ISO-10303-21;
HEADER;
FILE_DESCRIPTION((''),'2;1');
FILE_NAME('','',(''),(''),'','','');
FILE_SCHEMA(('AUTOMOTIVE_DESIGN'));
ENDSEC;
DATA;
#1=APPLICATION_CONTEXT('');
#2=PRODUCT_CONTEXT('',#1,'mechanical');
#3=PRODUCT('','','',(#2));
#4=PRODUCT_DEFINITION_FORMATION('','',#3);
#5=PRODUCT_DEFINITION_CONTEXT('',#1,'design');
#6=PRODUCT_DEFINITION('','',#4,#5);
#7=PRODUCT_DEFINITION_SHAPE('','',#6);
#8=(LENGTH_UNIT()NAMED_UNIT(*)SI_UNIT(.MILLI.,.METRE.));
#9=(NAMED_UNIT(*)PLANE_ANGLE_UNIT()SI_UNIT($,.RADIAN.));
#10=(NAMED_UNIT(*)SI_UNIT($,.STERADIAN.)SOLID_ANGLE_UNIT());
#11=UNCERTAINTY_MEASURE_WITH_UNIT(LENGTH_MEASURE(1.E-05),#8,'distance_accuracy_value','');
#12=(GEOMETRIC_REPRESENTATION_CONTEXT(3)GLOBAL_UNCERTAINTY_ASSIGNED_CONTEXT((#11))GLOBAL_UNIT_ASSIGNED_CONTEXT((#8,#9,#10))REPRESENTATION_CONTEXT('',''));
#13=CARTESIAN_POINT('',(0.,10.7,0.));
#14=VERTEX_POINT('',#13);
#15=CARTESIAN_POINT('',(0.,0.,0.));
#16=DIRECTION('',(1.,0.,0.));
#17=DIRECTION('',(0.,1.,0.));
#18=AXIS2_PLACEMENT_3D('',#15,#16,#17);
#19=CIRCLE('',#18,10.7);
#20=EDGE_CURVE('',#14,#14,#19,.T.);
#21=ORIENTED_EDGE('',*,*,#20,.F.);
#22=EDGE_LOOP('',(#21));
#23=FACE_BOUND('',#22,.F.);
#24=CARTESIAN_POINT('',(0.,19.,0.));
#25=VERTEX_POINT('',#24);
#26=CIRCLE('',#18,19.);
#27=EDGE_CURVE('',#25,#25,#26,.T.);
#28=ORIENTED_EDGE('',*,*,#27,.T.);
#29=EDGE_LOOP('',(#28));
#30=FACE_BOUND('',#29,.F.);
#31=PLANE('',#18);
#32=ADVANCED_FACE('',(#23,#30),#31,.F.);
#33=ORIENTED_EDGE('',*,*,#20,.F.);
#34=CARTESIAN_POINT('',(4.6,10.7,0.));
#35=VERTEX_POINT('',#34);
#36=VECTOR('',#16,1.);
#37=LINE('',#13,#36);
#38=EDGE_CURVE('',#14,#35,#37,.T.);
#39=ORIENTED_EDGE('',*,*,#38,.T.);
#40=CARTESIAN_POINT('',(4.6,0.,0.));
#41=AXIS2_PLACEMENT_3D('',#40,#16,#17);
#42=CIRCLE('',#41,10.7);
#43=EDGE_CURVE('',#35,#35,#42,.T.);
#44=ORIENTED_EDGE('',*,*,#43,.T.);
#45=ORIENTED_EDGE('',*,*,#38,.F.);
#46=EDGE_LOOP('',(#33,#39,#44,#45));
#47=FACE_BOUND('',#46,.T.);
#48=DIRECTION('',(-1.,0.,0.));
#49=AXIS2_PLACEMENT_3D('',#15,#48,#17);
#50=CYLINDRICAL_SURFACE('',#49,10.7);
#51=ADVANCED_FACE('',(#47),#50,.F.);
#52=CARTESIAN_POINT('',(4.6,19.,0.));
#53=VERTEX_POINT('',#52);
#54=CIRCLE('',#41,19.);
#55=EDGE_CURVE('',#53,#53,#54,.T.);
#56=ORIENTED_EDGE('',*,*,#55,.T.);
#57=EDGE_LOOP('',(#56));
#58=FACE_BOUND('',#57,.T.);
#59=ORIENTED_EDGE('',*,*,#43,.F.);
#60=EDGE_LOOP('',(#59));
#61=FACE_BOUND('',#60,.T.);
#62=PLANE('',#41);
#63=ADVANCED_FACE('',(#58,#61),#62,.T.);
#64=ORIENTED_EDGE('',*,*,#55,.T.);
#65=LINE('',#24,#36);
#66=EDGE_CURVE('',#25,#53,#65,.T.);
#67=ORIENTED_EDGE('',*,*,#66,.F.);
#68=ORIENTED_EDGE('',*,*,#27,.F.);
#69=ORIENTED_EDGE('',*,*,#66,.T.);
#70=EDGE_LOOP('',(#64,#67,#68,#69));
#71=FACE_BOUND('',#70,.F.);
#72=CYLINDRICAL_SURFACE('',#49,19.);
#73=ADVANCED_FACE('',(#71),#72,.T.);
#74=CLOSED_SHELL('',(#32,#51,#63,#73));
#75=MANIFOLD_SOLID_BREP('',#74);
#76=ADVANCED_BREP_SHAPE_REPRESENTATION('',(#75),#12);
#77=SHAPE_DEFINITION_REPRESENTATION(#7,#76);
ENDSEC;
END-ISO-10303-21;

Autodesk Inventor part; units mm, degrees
ref_plane "YZ Plane" through (0, 0, 0) normal (1, 0, 0) x (0, 1, 0)
ref_plane "XZ Plane" through (0, 0, 0) normal (0, 1, 0) x (-1, 0, 0)
sketch "Schizzo" plane through (0, 0, 0) normal (1, 0, 0) x (0, 1, 0)
  circle A0 centre (0, 0) radius 19
  circle A1 centre (0, 0) radius 10.7
  dimension "d0" = 21.4
  dimension "d1" = 38
extrude "Corpo" add sketch "Schizzo" along normal blind 4.6
ref_plane "Work Plane1" through (0, 0, 0) normal (0, 0, 1) x (1, 0, 0)
equation "\"d0\" = SD1"
equation "\"d1\" = SD2"
equation "\"d2\" = SD"
equation "\"SD1\" = 21.4"
equation "\"SD2\" = 38"
equation "\"SD\" = 4.6"
properties part number "UNI 8836 - 21,4 x 38" material "Acciaio, Dolce"
